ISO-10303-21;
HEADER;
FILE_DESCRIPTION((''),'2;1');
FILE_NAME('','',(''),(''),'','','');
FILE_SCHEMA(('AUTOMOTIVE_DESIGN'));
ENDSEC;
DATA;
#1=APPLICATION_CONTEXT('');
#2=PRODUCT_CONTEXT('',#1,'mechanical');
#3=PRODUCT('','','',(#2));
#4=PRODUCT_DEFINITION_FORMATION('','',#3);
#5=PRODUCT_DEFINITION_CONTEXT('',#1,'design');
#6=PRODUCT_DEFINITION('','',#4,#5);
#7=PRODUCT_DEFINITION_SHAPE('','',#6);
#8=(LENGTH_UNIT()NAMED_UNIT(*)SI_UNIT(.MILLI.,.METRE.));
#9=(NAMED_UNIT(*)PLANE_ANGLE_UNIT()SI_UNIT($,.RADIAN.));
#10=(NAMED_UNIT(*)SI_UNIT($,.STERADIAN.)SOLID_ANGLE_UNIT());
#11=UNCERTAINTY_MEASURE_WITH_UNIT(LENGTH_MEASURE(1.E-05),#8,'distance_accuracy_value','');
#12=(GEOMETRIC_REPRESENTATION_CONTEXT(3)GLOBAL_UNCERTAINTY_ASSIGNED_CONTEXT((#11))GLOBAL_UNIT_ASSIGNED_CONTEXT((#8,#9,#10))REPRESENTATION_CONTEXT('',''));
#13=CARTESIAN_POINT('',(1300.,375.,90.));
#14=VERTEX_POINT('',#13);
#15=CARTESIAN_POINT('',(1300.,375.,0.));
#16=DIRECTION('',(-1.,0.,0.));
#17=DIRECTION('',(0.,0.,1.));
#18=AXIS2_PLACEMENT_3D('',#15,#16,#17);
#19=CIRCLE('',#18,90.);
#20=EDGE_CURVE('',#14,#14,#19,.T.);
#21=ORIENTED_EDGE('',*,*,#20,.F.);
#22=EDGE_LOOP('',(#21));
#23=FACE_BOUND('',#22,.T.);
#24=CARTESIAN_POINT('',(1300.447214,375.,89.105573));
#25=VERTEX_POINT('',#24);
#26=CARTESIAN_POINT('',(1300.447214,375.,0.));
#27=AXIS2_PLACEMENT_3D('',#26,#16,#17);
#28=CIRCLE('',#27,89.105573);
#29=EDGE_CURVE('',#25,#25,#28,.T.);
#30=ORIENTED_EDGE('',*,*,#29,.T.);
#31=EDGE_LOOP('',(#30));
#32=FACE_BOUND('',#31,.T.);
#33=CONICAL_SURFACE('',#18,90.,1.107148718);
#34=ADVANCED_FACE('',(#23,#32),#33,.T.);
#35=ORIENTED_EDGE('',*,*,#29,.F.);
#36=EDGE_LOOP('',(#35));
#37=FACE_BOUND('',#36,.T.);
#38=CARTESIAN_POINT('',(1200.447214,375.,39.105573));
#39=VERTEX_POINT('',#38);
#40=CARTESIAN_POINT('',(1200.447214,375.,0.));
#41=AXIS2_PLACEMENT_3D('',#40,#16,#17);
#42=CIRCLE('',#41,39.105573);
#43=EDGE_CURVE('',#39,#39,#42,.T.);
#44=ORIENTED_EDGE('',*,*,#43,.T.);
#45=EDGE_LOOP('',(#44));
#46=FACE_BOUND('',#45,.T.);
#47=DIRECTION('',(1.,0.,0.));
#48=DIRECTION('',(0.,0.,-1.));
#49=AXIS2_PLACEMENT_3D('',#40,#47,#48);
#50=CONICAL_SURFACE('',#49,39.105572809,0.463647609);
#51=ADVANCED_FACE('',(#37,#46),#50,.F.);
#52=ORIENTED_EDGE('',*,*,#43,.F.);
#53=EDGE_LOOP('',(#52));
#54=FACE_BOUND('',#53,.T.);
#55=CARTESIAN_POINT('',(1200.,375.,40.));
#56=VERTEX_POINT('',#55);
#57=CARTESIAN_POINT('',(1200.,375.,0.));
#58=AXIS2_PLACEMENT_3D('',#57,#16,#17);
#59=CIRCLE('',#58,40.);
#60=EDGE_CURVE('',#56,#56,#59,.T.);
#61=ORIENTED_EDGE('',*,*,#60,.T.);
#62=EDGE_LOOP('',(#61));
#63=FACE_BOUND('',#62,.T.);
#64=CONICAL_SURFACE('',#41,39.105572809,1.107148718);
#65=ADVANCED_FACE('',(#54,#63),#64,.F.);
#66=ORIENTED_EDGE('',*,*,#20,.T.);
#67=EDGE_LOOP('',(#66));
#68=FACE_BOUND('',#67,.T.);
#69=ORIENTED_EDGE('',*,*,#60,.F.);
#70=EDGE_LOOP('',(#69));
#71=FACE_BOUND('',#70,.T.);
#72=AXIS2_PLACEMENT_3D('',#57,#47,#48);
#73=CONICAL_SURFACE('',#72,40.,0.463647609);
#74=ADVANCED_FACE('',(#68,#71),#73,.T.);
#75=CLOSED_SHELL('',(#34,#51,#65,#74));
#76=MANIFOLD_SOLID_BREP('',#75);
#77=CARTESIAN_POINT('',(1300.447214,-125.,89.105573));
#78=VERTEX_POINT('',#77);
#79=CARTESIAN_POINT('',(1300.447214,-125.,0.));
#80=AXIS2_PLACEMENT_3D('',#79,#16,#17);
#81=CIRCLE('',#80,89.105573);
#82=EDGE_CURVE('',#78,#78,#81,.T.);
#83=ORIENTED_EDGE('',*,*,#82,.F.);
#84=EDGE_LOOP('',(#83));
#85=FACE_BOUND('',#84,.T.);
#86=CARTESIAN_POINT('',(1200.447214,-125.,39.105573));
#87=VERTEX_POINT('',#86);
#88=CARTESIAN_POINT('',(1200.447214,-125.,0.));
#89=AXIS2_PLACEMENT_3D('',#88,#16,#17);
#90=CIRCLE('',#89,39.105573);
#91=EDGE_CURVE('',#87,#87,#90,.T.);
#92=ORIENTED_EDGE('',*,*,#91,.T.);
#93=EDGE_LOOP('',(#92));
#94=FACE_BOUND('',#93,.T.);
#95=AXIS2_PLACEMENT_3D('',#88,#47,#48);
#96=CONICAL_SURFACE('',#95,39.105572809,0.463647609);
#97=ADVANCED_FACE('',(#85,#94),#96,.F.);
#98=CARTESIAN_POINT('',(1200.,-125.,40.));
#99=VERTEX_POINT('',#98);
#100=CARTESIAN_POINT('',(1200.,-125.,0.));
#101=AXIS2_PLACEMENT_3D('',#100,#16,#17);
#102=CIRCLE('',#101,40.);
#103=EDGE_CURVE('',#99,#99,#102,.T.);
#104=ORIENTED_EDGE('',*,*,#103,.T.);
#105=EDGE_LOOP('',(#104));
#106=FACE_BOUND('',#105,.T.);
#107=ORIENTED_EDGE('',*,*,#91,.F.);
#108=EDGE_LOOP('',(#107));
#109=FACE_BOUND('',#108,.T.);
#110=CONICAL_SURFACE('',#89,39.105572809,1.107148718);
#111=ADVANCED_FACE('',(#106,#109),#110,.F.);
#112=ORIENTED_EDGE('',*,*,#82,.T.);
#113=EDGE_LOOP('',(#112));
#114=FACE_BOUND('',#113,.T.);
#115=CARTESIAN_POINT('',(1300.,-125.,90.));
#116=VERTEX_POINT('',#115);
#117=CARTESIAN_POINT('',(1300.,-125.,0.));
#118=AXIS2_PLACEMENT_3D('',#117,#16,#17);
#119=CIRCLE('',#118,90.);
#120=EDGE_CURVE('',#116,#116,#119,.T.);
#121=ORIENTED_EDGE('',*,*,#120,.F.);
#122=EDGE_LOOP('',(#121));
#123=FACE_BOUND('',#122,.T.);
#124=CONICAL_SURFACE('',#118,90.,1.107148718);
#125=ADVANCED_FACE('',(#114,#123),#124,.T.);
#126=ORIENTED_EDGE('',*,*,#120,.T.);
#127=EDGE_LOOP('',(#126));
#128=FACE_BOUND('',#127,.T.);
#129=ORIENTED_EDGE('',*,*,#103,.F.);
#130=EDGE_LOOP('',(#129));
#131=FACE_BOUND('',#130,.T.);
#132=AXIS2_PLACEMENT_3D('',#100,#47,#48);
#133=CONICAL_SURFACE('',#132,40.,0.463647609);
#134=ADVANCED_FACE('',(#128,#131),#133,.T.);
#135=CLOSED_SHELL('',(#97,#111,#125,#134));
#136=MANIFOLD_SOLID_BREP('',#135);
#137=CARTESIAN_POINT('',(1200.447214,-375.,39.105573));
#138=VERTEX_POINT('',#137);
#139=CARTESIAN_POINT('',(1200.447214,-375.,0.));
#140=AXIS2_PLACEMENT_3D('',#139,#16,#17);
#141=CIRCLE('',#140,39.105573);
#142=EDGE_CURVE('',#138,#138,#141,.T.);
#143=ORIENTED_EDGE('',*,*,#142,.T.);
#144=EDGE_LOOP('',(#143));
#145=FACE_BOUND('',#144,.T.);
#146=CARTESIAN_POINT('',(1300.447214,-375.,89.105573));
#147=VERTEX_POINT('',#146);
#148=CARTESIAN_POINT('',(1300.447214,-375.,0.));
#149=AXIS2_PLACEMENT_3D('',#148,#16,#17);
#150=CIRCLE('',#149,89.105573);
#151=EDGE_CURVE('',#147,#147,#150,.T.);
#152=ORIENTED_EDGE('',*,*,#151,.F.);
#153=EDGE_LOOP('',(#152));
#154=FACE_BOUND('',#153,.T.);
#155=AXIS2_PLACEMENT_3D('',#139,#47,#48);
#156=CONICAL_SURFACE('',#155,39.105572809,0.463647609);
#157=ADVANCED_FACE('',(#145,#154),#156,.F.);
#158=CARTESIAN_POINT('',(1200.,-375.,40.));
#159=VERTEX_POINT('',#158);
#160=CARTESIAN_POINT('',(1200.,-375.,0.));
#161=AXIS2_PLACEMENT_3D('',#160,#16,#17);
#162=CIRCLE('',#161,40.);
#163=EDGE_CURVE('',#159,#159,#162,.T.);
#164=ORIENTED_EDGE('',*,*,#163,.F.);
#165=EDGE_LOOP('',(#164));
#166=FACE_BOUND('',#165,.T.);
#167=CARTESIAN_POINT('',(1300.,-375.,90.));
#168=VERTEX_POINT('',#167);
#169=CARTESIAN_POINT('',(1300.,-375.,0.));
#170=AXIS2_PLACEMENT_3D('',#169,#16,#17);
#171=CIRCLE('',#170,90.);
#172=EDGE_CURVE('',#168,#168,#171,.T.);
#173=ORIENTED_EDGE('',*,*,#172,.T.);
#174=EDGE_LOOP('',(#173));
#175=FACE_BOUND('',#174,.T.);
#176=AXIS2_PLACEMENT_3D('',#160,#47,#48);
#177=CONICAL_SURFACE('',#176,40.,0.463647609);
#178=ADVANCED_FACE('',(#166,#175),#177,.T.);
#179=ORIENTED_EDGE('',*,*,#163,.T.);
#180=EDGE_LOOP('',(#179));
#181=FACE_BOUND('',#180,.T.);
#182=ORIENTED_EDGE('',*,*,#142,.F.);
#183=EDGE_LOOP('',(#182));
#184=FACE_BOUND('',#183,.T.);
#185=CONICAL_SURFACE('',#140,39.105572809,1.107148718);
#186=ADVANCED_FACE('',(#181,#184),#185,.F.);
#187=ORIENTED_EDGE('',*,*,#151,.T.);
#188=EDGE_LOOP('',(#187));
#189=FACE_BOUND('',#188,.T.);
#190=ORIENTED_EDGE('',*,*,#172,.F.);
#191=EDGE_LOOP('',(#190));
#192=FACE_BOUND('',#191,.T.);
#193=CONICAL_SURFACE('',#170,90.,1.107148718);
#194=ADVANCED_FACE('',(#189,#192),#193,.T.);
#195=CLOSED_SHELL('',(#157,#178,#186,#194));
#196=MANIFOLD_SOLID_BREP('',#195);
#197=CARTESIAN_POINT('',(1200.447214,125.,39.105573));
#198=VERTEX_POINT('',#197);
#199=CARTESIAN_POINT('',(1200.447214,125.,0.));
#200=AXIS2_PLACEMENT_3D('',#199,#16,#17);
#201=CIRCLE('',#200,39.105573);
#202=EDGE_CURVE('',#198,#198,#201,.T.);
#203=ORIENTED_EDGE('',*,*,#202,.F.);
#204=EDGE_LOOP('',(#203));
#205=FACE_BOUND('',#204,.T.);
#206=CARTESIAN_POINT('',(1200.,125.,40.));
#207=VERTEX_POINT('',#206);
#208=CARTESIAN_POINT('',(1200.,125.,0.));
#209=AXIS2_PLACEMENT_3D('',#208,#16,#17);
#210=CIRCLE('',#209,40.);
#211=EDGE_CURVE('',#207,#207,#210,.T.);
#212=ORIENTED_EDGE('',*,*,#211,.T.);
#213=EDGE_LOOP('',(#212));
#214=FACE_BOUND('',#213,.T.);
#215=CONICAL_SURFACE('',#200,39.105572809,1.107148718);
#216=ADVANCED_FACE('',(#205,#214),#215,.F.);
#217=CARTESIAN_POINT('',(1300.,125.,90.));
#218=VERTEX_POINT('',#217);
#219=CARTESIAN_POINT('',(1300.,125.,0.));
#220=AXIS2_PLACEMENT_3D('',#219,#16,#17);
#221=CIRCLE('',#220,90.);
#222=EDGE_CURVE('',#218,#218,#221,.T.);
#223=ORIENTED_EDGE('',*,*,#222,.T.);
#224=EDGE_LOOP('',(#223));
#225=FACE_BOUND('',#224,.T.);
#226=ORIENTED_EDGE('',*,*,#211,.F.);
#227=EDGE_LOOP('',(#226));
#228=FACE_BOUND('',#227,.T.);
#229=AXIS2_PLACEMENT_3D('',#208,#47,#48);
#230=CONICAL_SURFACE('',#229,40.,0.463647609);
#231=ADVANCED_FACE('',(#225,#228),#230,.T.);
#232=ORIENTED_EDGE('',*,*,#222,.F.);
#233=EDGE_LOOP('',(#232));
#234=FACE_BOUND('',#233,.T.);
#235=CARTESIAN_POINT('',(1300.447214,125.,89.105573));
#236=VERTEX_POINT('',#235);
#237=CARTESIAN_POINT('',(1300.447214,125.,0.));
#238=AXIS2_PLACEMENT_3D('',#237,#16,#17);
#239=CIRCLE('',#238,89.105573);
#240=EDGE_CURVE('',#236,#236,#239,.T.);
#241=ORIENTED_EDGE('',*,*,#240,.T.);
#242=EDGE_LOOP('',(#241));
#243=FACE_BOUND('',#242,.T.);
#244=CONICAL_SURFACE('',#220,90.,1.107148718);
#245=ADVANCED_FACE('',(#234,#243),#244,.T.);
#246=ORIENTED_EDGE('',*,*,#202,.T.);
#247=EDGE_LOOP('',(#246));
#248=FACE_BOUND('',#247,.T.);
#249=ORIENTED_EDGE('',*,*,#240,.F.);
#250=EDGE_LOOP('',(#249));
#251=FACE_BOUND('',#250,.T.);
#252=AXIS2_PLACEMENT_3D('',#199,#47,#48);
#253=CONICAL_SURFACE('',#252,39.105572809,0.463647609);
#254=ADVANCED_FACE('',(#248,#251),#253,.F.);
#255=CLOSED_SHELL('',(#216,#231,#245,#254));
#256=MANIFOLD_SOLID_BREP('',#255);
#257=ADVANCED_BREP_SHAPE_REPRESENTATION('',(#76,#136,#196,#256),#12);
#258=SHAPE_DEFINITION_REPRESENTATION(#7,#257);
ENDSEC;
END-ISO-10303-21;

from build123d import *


with BuildPart() as part:
    # 草图1 → 旋转-薄壁1 (revolve)
    with BuildSketch(Plane.XY, mode=Mode.PRIVATE) as revolve_1_sk:
        Polygon((1200, -335), (1300, -285), (1300.447213595, -285.894427191), (1200.447213595, -335.894427191), align=None)
    revolve(revolve_1_sk.sketch.rotate(Axis((1200, -375, 0), (1, 0, 0)), 90), axis=Axis((1200, -375, 0), (1, 0, 0)))


with BuildPart() as body_2:
    # 草图2 → 旋转-薄壁2 (revolve)
    with BuildSketch(Plane.XY, mode=Mode.PRIVATE) as revolve_2_sk:
        Polygon((1200, -85), (1300, -35), (1300.447213595, -35.894427191), (1200.447213595, -85.894427191), align=None)
    revolve(revolve_2_sk.sketch.rotate(Axis((1200, -125, 0), (1, 0, 0)), 90), axis=Axis((1200, -125, 0), (1, 0, 0)))


with BuildPart() as body_3:
    # 草图3 → 旋转-薄壁3 (revolve)
    with BuildSketch(Plane.XY, mode=Mode.PRIVATE) as revolve_3_sk:
        Polygon((1200, 165), (1300, 215), (1300.447213595, 214.105572809), (1200.447213595, 164.105572809), align=None)
    revolve(revolve_3_sk.sketch.rotate(Axis((1200, 125, 0), (1, 0, 0)), 90), axis=Axis((1200, 125, 0), (1, 0, 0)))


with BuildPart() as body_4:
    # 草图4 → 旋转-薄壁4 (revolve)
    with BuildSketch(Plane.XY, mode=Mode.PRIVATE) as revolve_4_sk:
        Polygon((1200, 415), (1300, 465), (1300.447213595, 464.105572809), (1200.447213595, 414.105572809), align=None)
    revolve(revolve_4_sk.sketch.rotate(Axis((1200, 375, 0), (1, 0, 0)), 90), axis=Axis((1200, 375, 0), (1, 0, 0)))


solid = Compound([part.part, body_2.part, body_3.part, body_4.part])
